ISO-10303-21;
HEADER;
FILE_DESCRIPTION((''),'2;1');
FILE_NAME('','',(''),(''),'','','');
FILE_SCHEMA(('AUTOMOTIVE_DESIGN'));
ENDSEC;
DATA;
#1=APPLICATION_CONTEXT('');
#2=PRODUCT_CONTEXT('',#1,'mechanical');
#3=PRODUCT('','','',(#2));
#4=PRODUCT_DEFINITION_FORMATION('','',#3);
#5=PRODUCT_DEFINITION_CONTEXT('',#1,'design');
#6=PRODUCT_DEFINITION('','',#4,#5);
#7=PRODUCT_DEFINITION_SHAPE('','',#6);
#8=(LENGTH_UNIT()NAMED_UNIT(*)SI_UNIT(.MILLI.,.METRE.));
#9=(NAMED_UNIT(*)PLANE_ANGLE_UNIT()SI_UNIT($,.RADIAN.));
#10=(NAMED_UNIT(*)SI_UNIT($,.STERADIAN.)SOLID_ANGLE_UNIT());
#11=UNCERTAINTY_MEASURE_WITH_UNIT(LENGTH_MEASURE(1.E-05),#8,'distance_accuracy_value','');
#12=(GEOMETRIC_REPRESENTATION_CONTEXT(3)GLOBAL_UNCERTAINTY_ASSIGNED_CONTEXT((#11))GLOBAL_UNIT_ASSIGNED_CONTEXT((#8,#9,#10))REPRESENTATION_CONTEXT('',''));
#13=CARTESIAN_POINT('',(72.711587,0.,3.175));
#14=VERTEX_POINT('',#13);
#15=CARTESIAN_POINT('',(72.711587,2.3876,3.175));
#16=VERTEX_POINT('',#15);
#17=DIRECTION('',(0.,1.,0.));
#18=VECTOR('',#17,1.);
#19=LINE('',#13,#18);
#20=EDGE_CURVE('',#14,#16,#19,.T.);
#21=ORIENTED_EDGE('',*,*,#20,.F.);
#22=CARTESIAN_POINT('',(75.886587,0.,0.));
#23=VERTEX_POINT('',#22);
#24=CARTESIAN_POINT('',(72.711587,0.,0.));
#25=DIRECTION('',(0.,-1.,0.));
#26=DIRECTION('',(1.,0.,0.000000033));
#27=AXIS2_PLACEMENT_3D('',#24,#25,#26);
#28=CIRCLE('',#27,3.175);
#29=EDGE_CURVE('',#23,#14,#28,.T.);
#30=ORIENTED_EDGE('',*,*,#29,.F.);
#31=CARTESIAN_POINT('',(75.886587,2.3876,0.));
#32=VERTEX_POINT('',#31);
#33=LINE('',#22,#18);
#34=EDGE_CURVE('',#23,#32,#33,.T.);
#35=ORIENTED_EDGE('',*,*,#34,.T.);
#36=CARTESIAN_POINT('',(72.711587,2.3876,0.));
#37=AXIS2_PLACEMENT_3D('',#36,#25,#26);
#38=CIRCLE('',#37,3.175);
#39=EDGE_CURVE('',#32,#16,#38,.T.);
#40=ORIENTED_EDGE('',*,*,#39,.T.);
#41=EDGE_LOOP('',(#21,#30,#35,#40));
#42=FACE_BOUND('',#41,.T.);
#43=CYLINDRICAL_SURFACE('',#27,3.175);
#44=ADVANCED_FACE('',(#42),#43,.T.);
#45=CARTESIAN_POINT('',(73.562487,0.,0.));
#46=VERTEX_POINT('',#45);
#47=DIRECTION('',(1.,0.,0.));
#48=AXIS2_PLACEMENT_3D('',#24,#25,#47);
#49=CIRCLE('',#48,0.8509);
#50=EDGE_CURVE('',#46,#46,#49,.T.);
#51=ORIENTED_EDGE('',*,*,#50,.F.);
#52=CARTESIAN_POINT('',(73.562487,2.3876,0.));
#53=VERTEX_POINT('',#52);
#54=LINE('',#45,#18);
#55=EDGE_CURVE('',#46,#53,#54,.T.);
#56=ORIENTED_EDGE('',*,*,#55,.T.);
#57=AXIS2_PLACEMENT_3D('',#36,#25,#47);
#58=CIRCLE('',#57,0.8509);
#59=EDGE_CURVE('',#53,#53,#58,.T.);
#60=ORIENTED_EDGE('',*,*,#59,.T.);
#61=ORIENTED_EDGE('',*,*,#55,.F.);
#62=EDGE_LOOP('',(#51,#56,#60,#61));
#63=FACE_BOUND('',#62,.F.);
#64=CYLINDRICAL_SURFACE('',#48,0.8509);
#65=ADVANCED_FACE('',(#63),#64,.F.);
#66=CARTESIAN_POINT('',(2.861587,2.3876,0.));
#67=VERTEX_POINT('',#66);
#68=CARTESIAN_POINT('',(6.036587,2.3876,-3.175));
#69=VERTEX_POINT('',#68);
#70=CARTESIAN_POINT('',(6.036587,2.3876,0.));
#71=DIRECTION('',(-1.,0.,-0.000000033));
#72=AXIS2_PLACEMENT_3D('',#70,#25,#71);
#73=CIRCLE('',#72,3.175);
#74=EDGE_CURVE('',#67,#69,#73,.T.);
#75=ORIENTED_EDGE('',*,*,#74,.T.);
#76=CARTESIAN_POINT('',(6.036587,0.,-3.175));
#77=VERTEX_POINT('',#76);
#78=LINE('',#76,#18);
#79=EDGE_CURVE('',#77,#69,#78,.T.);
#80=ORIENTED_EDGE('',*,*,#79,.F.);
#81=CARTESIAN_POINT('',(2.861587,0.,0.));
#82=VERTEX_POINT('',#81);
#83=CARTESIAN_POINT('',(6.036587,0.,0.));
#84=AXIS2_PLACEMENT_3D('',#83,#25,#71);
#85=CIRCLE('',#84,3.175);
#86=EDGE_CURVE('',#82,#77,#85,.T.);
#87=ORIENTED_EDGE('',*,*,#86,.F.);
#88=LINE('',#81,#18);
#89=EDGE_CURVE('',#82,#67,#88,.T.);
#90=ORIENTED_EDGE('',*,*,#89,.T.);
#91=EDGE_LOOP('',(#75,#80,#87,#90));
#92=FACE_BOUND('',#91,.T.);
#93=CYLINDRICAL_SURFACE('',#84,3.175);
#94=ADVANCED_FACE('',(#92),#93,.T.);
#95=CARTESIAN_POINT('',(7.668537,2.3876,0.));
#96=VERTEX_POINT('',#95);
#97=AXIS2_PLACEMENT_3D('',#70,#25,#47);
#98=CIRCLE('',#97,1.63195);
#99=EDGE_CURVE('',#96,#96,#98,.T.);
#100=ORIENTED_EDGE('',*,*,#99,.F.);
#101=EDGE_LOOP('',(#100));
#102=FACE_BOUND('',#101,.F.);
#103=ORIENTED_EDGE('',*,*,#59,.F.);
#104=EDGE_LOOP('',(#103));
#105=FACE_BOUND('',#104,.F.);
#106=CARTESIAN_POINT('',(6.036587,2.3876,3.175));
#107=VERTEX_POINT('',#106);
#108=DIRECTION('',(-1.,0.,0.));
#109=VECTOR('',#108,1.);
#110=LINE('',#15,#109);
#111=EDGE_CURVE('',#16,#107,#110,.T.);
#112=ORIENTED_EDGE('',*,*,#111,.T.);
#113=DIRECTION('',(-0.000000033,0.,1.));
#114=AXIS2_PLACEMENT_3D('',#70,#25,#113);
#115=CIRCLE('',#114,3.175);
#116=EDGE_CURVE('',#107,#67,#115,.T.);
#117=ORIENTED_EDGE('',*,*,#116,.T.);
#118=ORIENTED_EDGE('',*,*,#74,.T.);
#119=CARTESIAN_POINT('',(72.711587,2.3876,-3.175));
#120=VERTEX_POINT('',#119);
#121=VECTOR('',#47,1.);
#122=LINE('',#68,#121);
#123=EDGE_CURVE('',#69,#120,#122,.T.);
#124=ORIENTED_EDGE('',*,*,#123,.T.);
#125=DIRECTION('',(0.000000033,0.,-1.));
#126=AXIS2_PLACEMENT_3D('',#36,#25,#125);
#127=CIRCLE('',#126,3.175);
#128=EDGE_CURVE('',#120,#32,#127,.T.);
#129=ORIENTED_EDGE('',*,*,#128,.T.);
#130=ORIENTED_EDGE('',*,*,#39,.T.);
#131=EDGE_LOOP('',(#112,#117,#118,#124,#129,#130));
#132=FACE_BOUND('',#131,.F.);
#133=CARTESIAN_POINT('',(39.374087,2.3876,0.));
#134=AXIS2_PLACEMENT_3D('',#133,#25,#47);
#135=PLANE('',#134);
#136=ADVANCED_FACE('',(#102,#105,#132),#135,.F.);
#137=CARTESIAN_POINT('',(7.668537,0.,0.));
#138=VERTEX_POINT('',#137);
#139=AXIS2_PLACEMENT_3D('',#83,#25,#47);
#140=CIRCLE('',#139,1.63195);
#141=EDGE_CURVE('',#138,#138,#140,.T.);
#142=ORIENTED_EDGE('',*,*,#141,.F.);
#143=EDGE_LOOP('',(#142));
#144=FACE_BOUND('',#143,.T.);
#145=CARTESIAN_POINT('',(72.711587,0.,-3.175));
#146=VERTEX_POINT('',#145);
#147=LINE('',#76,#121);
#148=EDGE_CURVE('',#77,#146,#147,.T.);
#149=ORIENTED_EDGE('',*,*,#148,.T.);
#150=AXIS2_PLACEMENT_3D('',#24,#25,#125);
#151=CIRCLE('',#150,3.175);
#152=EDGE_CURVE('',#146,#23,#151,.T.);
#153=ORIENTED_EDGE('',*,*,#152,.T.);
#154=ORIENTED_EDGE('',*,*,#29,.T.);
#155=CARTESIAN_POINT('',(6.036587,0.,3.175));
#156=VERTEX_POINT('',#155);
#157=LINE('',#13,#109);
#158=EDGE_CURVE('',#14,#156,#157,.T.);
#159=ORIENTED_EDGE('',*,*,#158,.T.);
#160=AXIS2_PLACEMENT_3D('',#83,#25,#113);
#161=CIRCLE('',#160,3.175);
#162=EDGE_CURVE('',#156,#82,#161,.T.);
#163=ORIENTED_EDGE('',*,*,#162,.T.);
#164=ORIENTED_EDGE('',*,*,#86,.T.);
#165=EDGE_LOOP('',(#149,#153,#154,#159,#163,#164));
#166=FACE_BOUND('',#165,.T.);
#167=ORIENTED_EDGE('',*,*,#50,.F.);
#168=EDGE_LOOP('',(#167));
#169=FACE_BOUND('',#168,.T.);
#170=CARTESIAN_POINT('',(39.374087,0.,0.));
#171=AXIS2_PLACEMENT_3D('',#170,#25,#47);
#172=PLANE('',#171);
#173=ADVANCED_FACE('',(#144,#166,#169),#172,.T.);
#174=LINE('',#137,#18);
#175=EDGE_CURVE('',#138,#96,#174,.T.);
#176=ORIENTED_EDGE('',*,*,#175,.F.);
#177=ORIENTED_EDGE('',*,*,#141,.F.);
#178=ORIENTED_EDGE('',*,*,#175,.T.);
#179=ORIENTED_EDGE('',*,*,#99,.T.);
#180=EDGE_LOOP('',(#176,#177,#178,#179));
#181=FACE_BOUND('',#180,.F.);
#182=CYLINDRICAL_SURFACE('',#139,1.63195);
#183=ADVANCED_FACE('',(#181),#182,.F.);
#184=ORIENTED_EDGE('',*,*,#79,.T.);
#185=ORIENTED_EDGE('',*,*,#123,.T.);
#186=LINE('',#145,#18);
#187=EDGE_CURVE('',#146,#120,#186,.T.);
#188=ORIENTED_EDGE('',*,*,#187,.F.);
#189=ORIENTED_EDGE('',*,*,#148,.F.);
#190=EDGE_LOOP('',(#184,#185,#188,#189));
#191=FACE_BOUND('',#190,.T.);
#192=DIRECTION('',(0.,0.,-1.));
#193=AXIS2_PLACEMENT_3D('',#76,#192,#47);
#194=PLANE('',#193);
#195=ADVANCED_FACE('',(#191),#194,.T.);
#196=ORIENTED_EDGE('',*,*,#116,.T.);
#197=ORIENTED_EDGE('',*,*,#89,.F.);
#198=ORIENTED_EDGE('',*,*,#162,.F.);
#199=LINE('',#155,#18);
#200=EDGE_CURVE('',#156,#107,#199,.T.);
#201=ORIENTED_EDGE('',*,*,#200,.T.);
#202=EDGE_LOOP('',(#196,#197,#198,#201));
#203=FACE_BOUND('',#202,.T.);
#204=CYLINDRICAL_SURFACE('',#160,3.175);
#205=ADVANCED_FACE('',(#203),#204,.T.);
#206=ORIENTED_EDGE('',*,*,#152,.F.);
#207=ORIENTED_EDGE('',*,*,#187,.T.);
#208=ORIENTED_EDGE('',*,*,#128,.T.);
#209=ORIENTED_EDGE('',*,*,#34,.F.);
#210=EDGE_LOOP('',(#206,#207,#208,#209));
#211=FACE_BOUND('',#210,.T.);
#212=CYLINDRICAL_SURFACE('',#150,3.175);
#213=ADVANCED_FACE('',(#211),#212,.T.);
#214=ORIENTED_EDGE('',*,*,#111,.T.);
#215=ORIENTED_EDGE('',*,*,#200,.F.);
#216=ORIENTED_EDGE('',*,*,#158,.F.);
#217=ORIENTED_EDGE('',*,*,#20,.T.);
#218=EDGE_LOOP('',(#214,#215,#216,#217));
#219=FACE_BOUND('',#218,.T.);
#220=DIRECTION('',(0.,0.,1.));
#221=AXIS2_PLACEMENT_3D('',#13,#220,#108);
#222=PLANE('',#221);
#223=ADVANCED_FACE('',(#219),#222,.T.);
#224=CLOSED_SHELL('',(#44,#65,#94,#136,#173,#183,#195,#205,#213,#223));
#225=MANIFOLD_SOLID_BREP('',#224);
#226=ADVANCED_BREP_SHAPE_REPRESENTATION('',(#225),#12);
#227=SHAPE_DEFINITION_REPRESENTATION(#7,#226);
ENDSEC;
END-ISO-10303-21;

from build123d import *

# Parameters (mm, degrees)
F0_R     = 1.63195
F0_R_2   = 0.8509
F1_DEPTH = 2.3876


with BuildPart() as f1:
    # F0 (on Front) → F1 (new body)
    with BuildSketch(Plane.XZ):
        with BuildLine():
            ThreePointArc((75.886587, 0), (74.956651, 2.245064), (72.711587, 3.175))
            Line((72.711587, 3.175), (6.036587, 3.175))
            ThreePointArc((6.036587, 3.175), (3.791523, 2.245064), (2.861587, 0))
            ThreePointArc((2.861587, 0), (3.791523, -2.245064), (6.036587, -3.175))
            Line((6.036587, -3.175), (72.711587, -3.175))
            ThreePointArc((72.711587, -3.175), (74.956651, -2.245064), (75.886587, 0))
        make_face()
        with Locations((6.036587, 0)):
            Circle(F0_R, mode=Mode.SUBTRACT)
        with Locations((72.711587, 0)):
            Circle(F0_R_2, mode=Mode.SUBTRACT)
    extrude(amount=-F1_DEPTH)


solid = f1.part
